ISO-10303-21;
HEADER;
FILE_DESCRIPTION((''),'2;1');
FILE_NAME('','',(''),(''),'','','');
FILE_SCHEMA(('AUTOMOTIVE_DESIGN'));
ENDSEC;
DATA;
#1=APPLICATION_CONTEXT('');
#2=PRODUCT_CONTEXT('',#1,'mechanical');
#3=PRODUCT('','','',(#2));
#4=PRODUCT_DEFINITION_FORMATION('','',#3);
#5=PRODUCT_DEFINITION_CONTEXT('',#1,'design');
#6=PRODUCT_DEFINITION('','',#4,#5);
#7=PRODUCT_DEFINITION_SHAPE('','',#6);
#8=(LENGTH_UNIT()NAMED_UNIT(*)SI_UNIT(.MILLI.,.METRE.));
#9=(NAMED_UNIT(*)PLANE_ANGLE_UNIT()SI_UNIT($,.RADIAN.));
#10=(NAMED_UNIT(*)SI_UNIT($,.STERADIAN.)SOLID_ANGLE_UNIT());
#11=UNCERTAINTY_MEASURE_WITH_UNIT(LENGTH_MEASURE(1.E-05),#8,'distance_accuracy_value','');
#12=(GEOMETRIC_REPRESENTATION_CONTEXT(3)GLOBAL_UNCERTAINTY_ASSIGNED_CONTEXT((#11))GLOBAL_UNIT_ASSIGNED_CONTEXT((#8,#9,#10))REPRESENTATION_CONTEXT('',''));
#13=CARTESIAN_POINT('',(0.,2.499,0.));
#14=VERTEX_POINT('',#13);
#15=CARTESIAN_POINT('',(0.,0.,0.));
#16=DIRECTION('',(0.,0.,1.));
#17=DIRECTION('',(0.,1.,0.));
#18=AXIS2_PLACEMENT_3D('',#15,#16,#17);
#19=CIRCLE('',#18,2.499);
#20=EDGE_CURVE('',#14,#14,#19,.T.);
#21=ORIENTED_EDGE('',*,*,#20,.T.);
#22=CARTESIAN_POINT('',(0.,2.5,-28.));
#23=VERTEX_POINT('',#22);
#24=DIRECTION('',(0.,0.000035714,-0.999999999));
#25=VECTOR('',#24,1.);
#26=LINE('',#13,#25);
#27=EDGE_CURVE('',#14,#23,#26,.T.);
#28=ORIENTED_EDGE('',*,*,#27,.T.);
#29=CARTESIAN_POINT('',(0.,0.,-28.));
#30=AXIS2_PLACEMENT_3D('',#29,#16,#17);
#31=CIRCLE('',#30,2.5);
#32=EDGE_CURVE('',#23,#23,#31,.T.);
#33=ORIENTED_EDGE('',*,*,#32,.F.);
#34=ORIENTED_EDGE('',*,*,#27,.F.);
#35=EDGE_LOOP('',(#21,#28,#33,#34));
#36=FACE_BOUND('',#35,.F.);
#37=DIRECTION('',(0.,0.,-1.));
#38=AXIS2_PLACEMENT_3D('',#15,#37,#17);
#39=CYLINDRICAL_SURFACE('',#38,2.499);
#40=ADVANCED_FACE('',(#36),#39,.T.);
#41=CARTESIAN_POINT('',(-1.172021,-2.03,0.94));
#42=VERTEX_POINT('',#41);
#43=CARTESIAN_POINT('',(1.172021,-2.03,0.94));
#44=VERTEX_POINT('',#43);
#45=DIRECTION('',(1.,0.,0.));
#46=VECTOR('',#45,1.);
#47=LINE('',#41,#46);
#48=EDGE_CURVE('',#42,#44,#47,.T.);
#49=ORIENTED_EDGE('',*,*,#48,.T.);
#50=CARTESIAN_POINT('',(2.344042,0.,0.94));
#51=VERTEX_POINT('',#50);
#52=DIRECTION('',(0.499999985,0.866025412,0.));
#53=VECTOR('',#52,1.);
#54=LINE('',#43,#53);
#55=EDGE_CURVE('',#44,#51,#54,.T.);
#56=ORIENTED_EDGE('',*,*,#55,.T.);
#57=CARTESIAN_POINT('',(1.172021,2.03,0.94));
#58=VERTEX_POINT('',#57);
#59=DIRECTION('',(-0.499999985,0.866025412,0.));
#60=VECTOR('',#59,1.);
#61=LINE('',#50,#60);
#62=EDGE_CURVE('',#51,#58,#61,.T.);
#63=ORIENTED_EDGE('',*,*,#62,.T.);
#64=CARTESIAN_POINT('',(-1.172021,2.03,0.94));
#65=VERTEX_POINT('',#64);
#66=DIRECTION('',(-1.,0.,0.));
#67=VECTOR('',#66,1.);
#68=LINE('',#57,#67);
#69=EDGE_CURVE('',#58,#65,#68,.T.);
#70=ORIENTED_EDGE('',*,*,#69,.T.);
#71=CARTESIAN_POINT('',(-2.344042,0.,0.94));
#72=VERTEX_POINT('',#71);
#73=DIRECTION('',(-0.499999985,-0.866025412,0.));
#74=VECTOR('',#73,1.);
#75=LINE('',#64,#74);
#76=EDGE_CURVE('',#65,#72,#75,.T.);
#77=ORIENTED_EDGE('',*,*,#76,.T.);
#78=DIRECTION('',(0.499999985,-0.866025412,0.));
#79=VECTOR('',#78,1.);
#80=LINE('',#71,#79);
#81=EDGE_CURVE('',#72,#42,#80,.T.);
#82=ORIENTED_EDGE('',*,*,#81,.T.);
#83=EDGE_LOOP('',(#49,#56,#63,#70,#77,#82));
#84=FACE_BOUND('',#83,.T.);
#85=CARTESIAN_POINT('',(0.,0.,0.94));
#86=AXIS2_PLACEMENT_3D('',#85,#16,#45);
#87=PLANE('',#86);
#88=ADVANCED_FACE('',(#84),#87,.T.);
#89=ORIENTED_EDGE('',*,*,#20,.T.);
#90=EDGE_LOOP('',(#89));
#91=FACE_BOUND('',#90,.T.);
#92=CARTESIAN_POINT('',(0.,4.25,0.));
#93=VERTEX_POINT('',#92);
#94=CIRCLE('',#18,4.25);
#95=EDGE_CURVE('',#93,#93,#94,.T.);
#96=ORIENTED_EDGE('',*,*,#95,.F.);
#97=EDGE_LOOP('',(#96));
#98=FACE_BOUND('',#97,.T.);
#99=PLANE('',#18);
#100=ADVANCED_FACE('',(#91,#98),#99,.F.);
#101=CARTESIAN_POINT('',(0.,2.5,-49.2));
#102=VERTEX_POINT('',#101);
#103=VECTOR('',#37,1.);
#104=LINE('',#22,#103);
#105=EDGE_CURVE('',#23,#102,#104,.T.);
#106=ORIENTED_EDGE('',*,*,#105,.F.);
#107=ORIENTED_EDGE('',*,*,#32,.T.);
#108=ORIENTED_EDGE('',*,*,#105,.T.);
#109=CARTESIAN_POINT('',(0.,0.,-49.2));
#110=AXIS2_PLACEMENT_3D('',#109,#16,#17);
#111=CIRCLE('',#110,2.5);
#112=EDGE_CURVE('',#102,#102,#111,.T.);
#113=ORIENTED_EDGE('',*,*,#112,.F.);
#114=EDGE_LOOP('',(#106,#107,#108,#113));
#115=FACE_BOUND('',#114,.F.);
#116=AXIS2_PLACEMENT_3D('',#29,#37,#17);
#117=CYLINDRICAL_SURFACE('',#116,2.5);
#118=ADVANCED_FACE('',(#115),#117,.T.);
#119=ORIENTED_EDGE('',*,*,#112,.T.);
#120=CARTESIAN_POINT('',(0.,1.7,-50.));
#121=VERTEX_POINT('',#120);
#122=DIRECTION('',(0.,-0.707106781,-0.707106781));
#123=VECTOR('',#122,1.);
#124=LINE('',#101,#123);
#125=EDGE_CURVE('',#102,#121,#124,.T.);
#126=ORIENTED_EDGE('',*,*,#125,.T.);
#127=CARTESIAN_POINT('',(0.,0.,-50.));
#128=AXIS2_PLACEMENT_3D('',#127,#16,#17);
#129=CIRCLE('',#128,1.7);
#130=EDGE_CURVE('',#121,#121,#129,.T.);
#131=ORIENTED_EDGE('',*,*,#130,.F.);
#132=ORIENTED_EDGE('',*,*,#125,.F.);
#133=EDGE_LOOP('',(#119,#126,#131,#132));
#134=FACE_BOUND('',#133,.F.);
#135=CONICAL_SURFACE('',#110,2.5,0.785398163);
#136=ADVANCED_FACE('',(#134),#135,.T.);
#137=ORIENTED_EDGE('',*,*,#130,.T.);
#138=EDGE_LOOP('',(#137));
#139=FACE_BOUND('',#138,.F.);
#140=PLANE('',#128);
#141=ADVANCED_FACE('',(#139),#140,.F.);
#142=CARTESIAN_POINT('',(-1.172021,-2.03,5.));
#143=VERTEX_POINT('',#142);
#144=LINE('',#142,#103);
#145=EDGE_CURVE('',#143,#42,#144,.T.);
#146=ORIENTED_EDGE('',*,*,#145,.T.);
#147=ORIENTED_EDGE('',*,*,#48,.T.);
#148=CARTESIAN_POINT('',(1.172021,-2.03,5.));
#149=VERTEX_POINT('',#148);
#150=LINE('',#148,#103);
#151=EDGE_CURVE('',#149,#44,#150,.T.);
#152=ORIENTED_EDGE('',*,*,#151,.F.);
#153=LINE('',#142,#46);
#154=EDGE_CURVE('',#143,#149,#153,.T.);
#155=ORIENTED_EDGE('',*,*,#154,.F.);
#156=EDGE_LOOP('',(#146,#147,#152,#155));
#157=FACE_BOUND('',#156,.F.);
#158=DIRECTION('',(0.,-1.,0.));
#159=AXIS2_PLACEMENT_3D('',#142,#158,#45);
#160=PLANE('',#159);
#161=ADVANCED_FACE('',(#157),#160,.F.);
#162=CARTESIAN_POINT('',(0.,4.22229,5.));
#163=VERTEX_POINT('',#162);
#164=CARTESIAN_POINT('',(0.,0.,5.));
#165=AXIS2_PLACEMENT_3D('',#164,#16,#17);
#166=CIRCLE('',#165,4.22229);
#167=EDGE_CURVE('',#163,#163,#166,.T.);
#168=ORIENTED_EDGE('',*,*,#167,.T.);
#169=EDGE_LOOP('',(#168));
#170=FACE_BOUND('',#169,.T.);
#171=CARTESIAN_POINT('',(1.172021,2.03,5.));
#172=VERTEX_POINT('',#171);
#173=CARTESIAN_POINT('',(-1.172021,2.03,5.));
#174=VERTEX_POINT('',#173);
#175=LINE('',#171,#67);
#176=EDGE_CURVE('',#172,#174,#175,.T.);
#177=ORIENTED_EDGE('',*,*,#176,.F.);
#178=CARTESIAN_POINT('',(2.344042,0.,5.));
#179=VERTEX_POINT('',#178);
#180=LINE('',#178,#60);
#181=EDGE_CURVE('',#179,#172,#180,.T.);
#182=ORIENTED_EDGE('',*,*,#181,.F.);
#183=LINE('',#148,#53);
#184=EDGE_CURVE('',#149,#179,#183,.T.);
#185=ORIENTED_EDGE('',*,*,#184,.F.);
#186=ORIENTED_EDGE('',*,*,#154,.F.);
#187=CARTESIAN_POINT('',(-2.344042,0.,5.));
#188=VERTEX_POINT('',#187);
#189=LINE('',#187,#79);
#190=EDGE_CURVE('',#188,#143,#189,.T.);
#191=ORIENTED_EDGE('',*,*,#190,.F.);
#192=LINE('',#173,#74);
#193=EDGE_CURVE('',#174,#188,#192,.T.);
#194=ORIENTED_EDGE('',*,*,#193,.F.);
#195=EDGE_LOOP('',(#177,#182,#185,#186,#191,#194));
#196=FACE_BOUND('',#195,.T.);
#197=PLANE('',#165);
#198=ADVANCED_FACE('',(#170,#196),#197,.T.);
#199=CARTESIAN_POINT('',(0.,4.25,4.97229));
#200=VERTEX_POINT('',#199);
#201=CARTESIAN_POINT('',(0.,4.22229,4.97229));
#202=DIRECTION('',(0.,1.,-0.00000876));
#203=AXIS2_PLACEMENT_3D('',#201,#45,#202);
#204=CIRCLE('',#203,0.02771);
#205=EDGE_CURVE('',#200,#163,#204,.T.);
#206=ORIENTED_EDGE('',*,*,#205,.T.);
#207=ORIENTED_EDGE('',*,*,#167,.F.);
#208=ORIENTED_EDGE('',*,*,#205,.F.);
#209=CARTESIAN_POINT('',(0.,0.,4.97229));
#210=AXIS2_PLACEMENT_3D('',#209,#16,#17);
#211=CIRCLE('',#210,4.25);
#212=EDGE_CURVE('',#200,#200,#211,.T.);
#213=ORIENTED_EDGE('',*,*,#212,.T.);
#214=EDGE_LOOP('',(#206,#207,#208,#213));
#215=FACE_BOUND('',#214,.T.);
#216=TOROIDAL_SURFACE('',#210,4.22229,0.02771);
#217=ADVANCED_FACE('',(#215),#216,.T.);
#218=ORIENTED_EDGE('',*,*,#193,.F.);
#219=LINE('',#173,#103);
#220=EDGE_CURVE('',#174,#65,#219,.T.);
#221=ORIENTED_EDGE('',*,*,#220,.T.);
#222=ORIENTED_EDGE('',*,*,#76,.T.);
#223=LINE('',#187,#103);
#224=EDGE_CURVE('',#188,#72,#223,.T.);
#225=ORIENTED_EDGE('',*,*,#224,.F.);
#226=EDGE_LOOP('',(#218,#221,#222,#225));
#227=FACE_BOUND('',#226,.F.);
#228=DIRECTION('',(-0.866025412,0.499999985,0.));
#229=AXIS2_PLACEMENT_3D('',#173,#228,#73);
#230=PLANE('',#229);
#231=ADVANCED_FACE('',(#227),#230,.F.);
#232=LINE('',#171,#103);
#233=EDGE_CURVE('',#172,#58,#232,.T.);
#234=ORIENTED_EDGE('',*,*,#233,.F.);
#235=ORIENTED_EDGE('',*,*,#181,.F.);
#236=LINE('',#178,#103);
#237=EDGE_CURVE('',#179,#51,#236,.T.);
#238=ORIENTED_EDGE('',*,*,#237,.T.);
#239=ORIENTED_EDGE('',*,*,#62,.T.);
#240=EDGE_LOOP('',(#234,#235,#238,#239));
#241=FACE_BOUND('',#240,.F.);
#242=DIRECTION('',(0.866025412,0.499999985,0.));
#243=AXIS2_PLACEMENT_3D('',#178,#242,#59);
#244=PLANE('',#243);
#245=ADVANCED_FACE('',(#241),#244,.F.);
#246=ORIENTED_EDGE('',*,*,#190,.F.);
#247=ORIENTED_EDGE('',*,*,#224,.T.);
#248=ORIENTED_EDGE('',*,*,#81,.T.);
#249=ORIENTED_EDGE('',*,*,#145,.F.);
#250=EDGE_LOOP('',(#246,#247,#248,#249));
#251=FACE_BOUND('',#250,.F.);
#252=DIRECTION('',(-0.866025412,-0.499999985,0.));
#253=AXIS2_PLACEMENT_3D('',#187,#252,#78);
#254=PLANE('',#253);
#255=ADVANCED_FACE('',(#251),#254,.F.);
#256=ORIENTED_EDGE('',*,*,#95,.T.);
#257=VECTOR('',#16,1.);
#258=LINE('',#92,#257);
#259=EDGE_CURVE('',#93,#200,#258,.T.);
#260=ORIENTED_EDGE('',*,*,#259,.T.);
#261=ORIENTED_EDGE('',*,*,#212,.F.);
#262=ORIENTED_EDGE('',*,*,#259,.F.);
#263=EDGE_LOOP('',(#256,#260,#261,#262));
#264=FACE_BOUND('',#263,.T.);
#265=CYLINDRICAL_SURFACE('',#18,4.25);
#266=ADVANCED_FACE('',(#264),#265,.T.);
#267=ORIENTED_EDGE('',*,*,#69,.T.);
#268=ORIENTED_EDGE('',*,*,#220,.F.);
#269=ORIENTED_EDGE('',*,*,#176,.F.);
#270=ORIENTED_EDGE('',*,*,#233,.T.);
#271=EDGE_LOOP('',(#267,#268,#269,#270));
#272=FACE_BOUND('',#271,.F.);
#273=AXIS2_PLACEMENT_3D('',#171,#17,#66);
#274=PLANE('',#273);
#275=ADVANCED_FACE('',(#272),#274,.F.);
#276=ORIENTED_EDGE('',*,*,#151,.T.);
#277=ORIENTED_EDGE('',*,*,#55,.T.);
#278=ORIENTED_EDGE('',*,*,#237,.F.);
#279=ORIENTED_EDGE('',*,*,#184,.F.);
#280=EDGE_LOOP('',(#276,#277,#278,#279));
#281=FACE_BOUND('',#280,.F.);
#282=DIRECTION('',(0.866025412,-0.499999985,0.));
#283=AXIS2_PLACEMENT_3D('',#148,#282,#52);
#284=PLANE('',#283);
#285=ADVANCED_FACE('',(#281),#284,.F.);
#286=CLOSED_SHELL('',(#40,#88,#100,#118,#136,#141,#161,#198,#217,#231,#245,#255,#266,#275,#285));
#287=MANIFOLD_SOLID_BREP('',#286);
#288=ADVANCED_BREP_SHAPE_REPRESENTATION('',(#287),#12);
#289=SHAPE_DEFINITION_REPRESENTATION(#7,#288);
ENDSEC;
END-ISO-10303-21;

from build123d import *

# Parameters (mm, degrees)
POCKET_DEPTH = 4.06


with BuildPart() as part:
    # Sketch → Revolve (revolve)
    with BuildSketch(Plane.YZ):
        with BuildLine():
            Line((2.499, 0), (4.25, 0))
            Line((4.25, 0), (4.25, 4.97229))
            ThreePointArc((4.25, 4.97229), (4.241884, 4.991884), (4.22229, 5))
            Line((4.22229, 5), (0, 5))
            Line((0, -50), (0, 5))
            Line((1.7, -50), (0, -50))
            Line((2.5, -49.2), (1.7, -50))
            Line((2.5, -28), (2.5, -49.2))
            Line((2.499, 0), (2.5, -28))
        make_face()
    revolve(axis=Axis((0, 0, 0), (0, 0, 1)))

    # Sketch001 → Pocket (cut)
    with BuildSketch(Plane.XY.offset(5)):
        Polygon((2.344042, 0), (1.172021, 2.03), (-1.172021, 2.03), (-2.344042, 0), (-1.172021, -2.03), (1.172021, -2.03), align=None)
    extrude(amount=-POCKET_DEPTH, mode=Mode.SUBTRACT)


solid = part.part
